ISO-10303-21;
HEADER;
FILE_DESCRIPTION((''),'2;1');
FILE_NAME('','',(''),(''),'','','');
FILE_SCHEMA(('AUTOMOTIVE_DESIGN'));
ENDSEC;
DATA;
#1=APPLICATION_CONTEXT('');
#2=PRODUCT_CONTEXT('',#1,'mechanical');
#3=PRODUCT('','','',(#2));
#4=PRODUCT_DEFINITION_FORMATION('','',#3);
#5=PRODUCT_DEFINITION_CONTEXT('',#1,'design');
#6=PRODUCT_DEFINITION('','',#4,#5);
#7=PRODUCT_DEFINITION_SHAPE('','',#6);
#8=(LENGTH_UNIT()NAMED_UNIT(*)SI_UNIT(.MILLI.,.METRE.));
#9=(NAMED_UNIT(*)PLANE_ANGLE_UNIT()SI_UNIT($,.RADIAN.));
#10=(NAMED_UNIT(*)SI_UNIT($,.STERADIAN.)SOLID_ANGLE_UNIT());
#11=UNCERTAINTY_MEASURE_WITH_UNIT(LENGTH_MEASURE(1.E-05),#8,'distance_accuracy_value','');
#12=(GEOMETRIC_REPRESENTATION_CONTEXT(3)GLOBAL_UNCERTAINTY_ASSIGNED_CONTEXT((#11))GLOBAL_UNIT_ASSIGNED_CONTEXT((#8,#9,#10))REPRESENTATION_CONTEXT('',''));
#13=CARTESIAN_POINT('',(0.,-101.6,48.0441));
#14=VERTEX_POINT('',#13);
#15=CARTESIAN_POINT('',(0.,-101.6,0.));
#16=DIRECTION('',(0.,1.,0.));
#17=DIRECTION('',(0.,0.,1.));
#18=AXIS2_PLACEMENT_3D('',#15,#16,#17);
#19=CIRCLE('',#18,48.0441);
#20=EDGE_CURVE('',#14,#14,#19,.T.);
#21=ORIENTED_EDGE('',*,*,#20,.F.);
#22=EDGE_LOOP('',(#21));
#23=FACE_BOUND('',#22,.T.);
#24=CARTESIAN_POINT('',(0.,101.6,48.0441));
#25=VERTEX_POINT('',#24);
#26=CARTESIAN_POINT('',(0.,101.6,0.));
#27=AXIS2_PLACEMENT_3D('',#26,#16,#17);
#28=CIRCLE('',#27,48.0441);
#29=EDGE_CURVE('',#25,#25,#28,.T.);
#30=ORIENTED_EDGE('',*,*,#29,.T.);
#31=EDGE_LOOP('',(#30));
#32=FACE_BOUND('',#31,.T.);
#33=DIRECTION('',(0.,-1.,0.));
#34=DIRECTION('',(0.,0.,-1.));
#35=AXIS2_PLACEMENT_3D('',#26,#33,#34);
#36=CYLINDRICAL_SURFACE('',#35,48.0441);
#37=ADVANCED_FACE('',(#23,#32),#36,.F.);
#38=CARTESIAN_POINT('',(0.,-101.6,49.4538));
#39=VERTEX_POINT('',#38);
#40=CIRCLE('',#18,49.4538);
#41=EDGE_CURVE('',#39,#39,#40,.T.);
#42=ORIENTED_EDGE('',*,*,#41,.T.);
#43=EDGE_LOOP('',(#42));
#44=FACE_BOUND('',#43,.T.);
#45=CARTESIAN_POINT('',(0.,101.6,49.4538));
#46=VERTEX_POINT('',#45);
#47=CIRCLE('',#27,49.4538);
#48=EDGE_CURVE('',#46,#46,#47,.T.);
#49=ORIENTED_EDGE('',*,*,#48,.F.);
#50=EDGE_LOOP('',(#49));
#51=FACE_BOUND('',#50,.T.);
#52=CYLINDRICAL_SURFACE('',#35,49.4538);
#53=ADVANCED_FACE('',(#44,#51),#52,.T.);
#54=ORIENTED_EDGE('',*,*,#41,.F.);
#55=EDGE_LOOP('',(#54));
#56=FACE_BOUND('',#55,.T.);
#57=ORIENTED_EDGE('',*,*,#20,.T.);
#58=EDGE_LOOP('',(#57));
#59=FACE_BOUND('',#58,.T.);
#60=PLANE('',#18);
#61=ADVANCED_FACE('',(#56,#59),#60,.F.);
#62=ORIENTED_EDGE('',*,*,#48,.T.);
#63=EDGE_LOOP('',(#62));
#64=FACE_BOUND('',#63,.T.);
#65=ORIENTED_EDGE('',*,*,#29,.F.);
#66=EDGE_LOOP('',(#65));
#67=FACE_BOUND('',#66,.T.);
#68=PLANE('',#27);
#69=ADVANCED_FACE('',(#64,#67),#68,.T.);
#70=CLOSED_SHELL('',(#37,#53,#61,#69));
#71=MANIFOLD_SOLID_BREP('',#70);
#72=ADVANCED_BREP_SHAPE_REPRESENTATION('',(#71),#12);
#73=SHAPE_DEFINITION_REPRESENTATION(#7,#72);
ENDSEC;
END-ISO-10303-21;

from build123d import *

# Parameters (mm, degrees)
SKETCH1_R           = 49.4538
SKETCH1_R_2         = 48.0441
BOSS_EXTRUDE1_DEPTH = 101.6


with BuildPart() as part:
    # Sketch1 → Boss-Extrude1 (new, symmetric)
    with BuildSketch(Plane(origin=(0, 0, 0), x_dir=(1, 0, 0), z_dir=(0, 1, 0))):
        with Locations(Location((0, 0, 0), (0, 0, 270))):
            Circle(SKETCH1_R)
        with Locations(Location((0, 0, 0), (0, 0, 270))):
            Circle(SKETCH1_R_2, mode=Mode.SUBTRACT)
    extrude(amount=BOSS_EXTRUDE1_DEPTH, both=True)


solid = part.part
